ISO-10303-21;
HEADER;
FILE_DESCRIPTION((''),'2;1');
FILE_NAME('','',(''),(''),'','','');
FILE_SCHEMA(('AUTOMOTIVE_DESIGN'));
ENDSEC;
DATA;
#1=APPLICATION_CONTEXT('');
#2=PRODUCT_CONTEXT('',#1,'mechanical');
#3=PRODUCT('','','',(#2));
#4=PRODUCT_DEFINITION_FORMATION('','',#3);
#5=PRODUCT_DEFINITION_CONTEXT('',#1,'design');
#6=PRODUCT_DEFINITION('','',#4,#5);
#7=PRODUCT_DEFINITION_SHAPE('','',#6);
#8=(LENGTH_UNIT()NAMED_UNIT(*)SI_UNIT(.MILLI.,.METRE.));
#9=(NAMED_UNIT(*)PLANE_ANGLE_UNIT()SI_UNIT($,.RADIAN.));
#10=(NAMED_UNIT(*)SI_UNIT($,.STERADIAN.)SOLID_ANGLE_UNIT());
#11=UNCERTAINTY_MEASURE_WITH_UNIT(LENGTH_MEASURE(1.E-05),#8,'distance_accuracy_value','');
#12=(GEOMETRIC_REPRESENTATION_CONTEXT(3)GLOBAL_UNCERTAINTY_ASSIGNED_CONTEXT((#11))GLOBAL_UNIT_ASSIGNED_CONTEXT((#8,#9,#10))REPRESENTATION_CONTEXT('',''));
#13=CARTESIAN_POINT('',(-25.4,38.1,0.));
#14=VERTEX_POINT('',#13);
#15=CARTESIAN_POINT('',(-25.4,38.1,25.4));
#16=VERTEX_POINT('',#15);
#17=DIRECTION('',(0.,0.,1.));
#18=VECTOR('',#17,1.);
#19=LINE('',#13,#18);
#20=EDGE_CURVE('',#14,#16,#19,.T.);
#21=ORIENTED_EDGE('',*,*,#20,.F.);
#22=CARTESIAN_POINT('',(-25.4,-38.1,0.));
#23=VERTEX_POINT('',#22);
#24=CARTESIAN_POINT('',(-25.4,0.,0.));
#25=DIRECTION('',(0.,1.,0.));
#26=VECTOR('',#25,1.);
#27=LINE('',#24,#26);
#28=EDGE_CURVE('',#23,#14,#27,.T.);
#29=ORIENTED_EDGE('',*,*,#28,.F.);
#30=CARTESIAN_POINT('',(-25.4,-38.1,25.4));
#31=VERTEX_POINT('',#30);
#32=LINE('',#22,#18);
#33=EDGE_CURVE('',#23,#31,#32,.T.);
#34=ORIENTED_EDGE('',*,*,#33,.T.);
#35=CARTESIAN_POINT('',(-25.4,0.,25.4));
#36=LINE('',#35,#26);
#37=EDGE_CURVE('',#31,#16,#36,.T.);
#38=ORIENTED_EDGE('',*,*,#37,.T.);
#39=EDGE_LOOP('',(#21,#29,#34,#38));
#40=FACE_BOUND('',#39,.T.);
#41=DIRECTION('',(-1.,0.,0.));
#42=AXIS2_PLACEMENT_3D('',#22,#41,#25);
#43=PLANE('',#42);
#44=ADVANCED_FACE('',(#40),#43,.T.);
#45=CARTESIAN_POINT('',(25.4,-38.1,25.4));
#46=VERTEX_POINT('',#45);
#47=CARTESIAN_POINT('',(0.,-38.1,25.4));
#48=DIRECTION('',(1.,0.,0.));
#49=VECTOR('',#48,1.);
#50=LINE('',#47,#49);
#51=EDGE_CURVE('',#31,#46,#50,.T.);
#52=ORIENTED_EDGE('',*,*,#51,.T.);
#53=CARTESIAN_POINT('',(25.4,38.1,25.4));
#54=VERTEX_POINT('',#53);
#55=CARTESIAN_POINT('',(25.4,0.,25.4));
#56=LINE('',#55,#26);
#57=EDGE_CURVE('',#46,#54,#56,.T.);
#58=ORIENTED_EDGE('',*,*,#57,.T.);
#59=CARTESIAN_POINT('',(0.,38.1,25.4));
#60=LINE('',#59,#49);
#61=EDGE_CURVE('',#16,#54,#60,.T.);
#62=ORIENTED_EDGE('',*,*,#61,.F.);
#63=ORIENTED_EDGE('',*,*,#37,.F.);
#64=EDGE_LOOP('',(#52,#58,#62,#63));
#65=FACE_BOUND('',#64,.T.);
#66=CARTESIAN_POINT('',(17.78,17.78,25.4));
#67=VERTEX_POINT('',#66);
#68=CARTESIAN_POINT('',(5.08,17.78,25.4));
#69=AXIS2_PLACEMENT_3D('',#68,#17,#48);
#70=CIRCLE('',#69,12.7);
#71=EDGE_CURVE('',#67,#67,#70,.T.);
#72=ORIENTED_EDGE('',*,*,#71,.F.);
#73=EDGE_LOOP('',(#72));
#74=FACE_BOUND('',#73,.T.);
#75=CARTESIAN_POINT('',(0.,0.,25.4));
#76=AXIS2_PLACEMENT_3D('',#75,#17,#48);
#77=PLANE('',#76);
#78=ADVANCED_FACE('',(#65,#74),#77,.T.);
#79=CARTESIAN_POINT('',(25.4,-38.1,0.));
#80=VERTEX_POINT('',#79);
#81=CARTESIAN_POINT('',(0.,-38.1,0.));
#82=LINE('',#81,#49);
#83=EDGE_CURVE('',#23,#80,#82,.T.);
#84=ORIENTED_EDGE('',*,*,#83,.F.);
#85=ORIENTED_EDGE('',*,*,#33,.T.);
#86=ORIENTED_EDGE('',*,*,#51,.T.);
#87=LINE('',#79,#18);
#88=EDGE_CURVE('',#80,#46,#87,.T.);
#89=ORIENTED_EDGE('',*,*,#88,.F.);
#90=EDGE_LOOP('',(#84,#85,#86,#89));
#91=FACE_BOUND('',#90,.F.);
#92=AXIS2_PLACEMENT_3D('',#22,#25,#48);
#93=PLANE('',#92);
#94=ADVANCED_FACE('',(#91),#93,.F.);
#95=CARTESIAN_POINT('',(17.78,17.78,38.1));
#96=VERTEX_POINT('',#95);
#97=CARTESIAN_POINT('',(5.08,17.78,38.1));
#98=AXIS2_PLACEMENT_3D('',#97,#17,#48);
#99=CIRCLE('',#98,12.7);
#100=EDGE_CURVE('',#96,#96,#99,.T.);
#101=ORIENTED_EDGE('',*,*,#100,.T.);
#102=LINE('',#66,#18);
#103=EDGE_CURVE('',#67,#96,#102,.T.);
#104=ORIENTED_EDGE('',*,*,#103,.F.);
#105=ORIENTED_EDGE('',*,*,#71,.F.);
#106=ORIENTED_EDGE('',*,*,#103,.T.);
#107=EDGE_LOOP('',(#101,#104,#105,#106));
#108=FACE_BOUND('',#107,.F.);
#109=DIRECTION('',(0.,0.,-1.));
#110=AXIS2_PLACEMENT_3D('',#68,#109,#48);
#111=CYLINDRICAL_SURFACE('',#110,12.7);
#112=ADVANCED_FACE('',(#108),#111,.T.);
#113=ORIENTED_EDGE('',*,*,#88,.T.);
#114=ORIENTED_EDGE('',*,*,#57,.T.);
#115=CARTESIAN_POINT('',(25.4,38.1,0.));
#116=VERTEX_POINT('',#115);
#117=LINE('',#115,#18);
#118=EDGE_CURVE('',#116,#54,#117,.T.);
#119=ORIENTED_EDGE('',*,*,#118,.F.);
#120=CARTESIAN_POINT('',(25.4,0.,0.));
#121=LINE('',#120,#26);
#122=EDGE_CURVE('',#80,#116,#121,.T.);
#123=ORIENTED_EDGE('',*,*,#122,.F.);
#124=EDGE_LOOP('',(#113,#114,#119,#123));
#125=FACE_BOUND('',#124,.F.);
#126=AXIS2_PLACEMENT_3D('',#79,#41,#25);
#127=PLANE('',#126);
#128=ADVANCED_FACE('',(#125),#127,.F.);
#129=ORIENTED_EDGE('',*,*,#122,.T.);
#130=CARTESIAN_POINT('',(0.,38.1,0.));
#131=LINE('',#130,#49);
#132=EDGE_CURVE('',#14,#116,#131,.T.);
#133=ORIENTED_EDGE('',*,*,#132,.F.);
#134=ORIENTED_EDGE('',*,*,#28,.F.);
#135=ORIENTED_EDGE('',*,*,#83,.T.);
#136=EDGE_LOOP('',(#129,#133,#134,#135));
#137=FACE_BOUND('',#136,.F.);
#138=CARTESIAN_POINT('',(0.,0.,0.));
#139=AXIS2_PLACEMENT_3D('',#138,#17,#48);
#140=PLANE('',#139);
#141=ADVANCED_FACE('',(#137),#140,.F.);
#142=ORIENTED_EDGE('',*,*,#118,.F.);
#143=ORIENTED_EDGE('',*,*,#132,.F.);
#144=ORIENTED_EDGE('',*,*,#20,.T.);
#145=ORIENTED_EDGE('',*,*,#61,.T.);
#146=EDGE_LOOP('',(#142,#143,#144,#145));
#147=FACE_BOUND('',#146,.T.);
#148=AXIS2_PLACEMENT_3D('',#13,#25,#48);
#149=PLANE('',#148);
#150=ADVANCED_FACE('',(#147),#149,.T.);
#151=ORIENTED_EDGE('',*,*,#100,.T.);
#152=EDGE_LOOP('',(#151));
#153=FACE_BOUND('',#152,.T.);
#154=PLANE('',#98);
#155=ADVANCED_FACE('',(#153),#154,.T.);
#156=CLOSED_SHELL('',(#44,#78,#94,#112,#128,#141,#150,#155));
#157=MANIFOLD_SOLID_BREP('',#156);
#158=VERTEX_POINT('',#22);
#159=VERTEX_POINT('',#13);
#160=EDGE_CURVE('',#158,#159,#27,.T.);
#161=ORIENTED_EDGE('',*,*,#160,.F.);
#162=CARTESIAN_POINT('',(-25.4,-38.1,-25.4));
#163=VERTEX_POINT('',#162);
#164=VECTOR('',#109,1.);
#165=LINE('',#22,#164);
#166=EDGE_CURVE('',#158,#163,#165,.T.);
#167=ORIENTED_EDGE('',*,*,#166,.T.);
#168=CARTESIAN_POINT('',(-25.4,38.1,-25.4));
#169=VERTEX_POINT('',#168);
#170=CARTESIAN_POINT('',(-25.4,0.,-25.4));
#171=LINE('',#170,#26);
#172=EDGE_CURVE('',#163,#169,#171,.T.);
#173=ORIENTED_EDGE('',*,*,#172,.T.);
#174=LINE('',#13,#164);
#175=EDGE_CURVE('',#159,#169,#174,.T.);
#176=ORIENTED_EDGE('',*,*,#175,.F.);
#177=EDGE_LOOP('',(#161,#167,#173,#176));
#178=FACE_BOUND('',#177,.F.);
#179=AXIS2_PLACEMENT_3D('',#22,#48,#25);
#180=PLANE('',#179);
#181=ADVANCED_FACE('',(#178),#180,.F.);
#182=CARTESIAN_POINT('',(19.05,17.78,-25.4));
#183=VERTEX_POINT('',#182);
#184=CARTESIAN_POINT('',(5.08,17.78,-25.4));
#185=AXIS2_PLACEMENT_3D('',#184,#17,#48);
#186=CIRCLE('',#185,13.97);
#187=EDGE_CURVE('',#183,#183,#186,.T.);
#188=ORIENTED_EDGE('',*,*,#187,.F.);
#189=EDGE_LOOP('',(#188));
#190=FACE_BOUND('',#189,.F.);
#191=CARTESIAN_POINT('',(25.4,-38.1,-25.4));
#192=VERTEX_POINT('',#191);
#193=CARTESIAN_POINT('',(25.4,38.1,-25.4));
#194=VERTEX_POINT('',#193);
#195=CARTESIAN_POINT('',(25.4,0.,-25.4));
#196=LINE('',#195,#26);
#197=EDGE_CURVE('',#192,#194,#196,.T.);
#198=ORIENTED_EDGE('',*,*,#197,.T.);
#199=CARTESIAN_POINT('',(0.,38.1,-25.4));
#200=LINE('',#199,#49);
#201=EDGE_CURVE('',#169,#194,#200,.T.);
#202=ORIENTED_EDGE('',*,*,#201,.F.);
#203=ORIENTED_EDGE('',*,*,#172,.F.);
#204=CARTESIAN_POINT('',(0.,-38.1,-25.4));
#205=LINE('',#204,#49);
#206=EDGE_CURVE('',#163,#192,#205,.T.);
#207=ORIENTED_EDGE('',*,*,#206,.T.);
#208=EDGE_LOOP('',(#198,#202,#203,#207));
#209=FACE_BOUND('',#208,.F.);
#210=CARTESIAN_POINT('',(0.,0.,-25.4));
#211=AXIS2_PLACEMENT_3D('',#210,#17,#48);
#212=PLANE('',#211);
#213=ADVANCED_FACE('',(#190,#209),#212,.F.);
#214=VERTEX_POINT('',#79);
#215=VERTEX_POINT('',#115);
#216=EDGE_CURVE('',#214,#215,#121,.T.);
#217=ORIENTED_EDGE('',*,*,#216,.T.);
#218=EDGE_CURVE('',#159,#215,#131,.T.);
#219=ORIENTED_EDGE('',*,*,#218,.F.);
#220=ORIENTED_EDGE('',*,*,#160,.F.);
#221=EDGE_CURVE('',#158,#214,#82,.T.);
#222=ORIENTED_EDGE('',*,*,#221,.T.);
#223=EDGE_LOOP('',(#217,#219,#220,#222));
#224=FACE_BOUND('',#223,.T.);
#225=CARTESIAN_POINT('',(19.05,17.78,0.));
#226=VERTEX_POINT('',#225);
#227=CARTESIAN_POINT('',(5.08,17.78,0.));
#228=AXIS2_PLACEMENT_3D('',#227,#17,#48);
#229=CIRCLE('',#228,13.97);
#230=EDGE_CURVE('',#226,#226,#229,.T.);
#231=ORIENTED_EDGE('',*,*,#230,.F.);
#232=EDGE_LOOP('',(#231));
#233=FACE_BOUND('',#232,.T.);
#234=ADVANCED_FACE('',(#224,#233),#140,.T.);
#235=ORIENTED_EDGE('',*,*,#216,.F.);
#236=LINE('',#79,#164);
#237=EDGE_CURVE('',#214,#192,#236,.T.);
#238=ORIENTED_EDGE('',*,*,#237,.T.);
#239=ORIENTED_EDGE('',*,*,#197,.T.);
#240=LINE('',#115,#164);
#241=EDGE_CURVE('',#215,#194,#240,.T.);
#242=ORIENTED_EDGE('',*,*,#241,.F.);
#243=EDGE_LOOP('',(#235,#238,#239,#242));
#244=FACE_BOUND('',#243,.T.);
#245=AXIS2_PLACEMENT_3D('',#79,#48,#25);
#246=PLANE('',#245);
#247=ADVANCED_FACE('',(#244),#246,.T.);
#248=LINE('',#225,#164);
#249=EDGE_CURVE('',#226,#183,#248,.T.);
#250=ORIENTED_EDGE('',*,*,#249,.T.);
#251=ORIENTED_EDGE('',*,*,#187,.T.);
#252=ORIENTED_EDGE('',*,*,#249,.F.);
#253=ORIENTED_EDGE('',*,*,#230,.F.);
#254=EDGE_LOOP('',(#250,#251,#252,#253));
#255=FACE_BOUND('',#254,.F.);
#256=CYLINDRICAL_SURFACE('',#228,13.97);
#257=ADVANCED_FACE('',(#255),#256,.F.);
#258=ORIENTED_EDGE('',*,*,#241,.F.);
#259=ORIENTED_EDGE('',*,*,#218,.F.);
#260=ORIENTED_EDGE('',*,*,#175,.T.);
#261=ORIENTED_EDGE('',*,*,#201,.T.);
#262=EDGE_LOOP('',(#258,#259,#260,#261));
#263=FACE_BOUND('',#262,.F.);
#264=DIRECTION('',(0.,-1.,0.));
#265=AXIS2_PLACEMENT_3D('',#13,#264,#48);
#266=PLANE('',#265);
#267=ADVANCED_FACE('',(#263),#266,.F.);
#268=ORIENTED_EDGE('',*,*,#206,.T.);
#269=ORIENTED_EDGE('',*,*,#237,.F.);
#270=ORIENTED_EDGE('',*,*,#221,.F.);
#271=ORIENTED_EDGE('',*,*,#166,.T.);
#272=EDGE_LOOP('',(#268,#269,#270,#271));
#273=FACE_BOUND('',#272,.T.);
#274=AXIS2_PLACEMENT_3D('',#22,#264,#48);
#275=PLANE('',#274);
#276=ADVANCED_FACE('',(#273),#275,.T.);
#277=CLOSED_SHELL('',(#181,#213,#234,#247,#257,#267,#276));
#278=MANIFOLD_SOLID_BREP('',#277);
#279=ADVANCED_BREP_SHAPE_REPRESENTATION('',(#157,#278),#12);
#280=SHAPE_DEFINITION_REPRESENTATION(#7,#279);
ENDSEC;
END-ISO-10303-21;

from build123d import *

# Parameters (mm, degrees)
F0_W     = 50.8
F0_H     = 76.2
F1_DEPTH = 25.4
F2_R     = 12.7
F3_DEPTH = 12.7
F4_W     = 50.8
F4_H     = 76.2
F4_R     = 13.97
F5_DEPTH = 25.4


with BuildPart() as f1:
    # F0 (on Top) → F1 (new body)
    with BuildSketch(Plane.XY):
        Rectangle(F0_W, F0_H)
    extrude(amount=F1_DEPTH)

    # F2 (on face) → F3 (join)
    with BuildSketch(Plane.XY.offset(25.4)):
        with Locations((5.08, 17.78)):
            Circle(F2_R)
    extrude(amount=F3_DEPTH)


with BuildPart() as f5:
    # F4 (on Top) → F5 (new body)
    with BuildSketch(Plane.XY):
        Rectangle(F4_W, F4_H)
        with Locations((5.08, 17.78)):
            Circle(F4_R, mode=Mode.SUBTRACT)
    extrude(amount=-F5_DEPTH)


solid = Compound([f1.part, f5.part])
